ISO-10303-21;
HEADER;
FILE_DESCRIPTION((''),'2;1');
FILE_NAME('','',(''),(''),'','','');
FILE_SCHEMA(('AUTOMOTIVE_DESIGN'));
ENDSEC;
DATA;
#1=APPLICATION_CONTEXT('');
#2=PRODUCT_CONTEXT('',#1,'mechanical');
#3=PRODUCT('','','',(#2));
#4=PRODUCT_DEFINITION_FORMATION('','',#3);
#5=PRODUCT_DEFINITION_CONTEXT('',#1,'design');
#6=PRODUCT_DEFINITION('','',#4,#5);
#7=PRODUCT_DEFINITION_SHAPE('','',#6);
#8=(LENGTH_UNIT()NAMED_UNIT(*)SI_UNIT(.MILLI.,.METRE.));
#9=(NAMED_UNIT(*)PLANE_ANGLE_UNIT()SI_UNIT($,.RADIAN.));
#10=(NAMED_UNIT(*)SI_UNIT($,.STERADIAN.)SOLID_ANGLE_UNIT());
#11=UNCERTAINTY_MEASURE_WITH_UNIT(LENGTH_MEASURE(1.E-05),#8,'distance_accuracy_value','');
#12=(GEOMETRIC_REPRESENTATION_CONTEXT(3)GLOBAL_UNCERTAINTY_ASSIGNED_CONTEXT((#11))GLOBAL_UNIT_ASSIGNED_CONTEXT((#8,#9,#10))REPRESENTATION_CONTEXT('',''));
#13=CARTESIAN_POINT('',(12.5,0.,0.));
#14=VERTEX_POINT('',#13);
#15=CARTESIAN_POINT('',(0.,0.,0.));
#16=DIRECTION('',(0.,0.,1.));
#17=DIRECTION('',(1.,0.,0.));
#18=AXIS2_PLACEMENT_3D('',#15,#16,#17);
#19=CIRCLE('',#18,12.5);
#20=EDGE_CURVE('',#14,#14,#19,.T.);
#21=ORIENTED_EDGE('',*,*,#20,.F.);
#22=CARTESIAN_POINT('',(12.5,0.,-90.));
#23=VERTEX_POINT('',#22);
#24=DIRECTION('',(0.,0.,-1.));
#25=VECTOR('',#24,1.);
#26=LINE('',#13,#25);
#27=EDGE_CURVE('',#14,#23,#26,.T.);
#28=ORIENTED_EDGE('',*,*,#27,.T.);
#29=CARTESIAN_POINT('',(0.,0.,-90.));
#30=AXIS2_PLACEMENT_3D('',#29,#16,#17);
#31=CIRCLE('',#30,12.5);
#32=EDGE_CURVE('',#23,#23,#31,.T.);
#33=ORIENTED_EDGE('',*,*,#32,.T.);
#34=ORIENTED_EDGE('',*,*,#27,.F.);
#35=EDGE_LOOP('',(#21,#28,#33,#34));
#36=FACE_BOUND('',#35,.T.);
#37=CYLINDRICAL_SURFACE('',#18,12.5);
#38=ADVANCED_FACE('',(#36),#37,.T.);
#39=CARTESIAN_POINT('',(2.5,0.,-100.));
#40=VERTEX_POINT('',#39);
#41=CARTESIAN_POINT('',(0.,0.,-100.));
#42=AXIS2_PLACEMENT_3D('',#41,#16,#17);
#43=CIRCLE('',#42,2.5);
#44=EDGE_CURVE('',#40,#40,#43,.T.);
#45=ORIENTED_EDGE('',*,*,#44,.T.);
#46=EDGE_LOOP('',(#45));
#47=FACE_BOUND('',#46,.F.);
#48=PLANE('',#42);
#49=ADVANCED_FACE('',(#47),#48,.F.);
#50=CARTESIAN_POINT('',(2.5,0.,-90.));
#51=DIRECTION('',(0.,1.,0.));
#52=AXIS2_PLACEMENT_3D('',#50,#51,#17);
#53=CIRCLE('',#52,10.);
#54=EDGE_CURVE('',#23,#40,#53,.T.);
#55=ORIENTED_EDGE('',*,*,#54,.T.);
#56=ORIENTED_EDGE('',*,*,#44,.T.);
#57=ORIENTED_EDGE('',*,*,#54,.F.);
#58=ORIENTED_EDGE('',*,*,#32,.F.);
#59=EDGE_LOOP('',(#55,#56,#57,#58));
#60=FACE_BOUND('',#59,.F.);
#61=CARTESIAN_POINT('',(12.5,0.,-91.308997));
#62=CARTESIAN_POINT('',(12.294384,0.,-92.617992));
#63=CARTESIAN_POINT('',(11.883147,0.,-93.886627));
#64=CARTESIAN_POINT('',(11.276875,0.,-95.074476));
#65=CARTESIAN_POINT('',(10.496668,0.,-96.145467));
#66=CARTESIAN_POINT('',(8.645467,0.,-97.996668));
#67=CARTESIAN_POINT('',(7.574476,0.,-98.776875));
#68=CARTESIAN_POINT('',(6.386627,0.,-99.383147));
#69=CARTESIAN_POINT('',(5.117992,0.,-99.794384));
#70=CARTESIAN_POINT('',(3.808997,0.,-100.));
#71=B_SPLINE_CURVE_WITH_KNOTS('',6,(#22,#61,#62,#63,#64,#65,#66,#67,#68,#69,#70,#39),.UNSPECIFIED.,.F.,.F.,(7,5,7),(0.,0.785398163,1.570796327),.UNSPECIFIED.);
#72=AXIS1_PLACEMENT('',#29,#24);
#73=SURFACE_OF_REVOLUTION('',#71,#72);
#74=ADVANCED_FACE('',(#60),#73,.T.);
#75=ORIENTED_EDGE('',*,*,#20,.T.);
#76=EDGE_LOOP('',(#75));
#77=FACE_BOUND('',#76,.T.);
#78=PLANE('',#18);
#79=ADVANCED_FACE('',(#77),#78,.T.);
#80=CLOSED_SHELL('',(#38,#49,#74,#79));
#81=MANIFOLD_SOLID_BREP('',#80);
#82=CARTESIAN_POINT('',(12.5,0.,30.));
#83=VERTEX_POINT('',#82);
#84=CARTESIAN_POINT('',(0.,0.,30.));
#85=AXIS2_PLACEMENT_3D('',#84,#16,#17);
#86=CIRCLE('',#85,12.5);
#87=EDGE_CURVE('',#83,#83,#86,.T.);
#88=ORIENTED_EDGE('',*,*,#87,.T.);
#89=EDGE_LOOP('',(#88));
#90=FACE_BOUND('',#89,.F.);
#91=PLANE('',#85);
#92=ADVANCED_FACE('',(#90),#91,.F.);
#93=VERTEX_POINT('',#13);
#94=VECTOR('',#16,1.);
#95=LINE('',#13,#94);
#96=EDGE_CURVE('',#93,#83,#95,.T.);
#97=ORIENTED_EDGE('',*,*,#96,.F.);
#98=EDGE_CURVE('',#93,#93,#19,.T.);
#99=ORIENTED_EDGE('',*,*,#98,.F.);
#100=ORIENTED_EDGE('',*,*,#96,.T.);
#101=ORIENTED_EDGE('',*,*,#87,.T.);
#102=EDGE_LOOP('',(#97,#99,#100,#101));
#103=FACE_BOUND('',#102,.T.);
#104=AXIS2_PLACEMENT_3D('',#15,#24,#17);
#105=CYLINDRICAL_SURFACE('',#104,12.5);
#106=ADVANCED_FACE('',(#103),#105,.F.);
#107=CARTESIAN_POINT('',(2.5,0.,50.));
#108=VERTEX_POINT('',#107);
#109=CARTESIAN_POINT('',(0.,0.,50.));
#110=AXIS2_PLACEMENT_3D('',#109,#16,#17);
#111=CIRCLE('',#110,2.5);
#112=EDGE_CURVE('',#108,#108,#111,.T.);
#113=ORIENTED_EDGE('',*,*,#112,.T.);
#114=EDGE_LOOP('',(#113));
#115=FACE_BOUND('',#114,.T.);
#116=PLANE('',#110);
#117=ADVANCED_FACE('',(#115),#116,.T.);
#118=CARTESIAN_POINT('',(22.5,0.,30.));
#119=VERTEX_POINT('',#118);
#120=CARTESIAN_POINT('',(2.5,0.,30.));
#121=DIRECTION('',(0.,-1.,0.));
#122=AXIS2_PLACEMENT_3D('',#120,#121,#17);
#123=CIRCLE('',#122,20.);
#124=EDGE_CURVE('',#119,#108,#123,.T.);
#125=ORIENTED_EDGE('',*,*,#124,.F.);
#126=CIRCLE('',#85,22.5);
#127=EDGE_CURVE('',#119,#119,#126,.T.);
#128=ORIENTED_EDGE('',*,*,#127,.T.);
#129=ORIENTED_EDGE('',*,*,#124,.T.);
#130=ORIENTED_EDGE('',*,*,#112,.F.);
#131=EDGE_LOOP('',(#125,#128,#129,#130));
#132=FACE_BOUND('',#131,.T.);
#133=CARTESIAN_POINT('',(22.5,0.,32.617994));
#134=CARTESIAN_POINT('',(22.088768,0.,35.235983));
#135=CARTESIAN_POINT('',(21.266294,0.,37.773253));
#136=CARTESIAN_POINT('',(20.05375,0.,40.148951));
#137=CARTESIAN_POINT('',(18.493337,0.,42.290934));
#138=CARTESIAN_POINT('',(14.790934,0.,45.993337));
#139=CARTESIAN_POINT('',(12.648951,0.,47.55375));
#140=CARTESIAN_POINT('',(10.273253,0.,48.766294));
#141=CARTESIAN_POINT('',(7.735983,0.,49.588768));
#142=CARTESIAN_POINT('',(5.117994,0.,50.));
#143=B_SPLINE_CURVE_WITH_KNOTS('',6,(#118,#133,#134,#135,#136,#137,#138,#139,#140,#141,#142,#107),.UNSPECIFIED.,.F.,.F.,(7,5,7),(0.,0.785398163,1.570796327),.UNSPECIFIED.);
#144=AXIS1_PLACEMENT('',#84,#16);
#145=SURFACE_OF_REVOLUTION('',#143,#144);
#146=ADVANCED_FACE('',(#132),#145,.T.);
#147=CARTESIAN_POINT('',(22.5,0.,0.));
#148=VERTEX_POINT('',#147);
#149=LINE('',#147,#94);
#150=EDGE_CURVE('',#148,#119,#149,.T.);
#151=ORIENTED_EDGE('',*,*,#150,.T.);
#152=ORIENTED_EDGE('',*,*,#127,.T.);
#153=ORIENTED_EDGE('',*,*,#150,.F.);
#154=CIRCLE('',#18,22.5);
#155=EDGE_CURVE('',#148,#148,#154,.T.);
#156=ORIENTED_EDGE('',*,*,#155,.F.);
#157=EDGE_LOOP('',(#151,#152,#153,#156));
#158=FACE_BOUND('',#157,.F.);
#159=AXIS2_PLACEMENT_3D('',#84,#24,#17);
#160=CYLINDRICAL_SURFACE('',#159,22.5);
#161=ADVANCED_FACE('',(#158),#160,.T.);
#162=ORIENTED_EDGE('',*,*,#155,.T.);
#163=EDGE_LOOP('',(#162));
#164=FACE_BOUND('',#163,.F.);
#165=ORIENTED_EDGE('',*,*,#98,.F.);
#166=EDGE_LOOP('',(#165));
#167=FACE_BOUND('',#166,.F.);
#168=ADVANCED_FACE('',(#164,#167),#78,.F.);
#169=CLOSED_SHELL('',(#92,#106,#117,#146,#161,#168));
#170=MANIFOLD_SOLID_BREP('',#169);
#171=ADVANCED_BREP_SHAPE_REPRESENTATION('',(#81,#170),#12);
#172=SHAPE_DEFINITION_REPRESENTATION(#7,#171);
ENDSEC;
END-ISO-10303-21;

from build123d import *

# Parameters (mm, degrees)
F0_R     = 22.5
F0_R_2   = 12.5
F1_DEPTH = 30
F2_DEPTH = 100
F3_R     = 10
F4_R     = 22.5
F5_DEPTH = 20
F6_R     = 20


with BuildPart() as f1:
    # F0 (on Top) → F1 (new body)
    with BuildSketch(Plane.XY):
        Circle(F0_R)
        Circle(F0_R_2, mode=Mode.SUBTRACT)
    extrude(amount=F1_DEPTH)

    # F0 (on Top) → F2 (join)
    with BuildSketch(Plane.XY):
        Circle(F0_R_2)
    extrude(amount=-F2_DEPTH)

    # F3
    f3_edges = [f1.edges().sort_by_distance(p)[0] for p in [
        (-12.5, 0, -100),
    ]]
    fillet(f3_edges, radius=F3_R)

    # F4 (on face) → F5 (join)
    with BuildSketch(Plane.XY.offset(30)):
        Circle(F4_R)
    extrude(amount=F5_DEPTH)

    # F6
    f6_edges = [f1.edges().sort_by_distance(p)[0] for p in [
        (-22.5, 0, 50),
    ]]
    fillet(f6_edges, radius=F6_R)


solid = f1.part
